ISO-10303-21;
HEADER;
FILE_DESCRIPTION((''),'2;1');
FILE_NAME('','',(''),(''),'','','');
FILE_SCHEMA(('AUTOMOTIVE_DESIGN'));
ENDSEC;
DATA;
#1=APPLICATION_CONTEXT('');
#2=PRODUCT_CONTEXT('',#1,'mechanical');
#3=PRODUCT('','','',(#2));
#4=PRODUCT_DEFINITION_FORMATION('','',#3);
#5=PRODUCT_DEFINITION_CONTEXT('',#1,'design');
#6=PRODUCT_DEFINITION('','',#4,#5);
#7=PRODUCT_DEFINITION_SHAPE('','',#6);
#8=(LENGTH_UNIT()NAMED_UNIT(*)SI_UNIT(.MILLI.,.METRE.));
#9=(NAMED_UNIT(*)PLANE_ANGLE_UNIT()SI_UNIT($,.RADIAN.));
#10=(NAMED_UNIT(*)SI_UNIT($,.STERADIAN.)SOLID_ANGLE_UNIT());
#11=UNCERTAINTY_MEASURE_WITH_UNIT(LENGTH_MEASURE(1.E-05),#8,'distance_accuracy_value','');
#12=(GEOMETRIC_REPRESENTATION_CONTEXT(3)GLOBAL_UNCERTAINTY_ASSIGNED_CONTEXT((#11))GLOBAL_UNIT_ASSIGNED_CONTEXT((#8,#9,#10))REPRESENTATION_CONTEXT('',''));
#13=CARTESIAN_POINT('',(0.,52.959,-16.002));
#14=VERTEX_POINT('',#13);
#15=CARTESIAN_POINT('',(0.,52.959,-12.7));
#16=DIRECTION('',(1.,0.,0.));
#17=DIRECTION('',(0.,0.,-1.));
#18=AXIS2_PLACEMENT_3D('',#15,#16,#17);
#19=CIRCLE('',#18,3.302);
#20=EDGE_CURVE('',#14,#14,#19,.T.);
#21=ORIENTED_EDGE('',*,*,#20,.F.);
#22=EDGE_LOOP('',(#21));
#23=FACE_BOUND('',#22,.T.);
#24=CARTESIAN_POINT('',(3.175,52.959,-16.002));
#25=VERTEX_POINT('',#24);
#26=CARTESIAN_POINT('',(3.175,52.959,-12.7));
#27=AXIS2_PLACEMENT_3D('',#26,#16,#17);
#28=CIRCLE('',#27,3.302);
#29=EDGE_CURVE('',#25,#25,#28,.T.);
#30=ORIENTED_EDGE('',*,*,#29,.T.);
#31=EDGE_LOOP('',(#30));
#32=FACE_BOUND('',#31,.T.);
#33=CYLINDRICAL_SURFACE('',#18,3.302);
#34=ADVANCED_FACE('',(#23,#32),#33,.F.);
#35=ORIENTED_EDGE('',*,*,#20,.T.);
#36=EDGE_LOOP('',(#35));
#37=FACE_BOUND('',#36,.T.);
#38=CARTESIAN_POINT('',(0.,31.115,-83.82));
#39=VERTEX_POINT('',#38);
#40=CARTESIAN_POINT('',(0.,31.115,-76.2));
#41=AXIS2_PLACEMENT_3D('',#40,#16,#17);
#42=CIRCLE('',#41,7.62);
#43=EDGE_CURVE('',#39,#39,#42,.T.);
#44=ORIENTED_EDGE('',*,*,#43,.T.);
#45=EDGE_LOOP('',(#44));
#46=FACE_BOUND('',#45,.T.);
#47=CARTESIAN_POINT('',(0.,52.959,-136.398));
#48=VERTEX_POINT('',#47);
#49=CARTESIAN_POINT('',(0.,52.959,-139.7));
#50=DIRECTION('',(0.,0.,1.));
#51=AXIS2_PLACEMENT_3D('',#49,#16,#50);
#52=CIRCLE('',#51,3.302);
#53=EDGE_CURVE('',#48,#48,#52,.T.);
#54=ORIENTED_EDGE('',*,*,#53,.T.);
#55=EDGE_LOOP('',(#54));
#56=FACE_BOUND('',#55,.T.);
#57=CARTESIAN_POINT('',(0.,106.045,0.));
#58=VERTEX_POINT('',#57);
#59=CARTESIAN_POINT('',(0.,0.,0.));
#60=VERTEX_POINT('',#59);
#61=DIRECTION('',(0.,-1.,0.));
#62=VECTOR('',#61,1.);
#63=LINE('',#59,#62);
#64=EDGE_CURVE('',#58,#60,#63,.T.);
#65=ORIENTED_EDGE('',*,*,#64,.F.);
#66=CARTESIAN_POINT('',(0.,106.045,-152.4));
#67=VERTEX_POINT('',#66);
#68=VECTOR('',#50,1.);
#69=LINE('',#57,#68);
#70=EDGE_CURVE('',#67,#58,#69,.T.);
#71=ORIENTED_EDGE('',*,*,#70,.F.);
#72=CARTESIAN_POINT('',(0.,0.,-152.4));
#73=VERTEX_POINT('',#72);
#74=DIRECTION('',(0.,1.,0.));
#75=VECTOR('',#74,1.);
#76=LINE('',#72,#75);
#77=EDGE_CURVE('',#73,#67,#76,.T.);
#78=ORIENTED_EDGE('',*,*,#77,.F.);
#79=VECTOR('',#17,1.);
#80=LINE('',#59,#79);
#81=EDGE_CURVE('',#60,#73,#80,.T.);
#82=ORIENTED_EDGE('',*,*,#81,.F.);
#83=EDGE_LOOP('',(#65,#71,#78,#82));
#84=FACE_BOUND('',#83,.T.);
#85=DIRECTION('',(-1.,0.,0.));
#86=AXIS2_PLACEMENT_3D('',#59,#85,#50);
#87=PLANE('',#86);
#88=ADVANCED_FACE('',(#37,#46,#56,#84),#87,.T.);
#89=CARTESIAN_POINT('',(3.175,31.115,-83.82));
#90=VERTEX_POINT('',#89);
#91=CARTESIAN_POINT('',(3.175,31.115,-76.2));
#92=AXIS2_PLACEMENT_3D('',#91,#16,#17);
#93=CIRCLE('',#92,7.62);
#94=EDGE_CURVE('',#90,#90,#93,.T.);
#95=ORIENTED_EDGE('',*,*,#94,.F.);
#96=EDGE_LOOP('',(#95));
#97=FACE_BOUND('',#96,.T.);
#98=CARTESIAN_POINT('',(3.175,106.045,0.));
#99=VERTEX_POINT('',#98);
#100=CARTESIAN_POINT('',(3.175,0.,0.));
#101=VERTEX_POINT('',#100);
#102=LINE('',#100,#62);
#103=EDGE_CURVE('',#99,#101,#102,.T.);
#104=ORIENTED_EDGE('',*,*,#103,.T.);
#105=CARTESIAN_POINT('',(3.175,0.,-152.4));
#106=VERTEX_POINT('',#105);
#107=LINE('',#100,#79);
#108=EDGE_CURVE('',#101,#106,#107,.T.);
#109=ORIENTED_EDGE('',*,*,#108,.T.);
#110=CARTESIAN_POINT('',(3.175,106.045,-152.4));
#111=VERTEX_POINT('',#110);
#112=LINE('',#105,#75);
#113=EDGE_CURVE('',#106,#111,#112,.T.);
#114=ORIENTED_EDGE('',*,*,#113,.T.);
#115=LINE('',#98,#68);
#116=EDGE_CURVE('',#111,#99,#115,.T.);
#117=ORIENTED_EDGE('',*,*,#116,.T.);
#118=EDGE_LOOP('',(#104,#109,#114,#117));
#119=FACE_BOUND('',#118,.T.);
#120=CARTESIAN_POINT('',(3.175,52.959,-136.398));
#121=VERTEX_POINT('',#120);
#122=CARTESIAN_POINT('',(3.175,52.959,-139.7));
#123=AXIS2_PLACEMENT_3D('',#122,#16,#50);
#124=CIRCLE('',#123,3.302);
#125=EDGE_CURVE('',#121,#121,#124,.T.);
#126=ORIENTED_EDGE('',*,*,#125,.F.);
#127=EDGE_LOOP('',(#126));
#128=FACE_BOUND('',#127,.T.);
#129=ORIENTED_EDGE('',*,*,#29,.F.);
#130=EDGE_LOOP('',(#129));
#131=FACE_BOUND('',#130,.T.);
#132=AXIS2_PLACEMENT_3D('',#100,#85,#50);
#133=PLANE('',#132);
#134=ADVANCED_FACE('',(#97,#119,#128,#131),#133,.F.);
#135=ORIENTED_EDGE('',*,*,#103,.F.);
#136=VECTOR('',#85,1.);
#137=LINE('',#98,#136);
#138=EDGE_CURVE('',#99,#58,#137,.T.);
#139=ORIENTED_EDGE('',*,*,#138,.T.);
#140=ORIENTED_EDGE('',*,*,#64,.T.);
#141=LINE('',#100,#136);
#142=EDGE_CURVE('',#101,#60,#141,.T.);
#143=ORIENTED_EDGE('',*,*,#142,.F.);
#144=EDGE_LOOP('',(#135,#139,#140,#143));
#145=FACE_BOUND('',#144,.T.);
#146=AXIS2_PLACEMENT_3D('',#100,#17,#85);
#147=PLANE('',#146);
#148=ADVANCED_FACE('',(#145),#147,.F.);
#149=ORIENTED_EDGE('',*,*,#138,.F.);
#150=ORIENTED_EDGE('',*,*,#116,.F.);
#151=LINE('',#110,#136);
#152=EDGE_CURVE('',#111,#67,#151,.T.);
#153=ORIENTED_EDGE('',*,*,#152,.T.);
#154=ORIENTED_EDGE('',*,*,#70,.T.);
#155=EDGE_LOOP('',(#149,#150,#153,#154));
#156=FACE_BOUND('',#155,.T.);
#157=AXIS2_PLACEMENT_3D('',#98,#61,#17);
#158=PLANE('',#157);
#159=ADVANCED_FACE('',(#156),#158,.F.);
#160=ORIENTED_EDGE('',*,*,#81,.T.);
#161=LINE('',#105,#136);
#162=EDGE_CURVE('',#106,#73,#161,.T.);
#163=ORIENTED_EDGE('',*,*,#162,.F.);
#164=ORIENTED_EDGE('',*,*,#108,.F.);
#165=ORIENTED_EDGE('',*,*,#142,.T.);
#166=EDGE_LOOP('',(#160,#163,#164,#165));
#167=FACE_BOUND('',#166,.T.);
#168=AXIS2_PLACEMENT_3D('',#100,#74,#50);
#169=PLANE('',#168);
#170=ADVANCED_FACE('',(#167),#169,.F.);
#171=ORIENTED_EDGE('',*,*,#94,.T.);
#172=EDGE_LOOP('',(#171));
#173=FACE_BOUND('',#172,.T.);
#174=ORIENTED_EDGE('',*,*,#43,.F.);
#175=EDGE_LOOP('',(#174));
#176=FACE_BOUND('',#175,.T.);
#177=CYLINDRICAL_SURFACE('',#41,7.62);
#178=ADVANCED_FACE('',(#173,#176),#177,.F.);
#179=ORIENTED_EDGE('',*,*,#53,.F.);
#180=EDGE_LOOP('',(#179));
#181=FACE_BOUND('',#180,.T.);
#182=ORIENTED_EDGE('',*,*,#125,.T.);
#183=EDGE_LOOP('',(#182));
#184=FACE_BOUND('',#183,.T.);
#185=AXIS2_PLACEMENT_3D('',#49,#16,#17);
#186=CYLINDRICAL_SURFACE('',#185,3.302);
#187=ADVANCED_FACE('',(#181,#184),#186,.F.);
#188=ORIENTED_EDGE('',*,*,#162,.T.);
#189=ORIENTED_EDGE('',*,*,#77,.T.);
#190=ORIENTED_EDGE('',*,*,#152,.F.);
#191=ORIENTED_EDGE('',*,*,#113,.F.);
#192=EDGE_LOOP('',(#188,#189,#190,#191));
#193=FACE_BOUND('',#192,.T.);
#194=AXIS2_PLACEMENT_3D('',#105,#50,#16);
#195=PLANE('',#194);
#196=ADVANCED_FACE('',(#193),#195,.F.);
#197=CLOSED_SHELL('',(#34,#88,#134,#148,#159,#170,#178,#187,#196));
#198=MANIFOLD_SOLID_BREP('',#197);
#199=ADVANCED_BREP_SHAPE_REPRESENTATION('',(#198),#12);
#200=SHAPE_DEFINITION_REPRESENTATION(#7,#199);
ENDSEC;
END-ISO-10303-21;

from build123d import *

# Parameters (mm, degrees)
SKETCH1_W           = 152.4
SKETCH1_H           = 106.045
BOSS_EXTRUDE1_DEPTH = 3.175
SKETCH2_R           = 7.62
SKETCH2_R_2         = 3.302
CUT_EXTRUDE1_DEPTH  = 4.175


with BuildPart() as part:
    # Sketch1 → Boss-Extrude1 (new body)
    with BuildSketch(Plane(origin=(0, 0, 0), x_dir=(0, 0, -1), z_dir=(1, 0, 0))):
        with Locations((76.2, 53.0225)):
            Rectangle(SKETCH1_W, SKETCH1_H)
    extrude(amount=BOSS_EXTRUDE1_DEPTH)

    # Sketch2 → Cut-Extrude1 (cut, through all)
    with BuildSketch(Plane(origin=(3.175, 0, 0), x_dir=(0, 0, -1), z_dir=(1, 0, 0))):
        with Locations((76.2, 31.115)):
            Circle(SKETCH2_R)
        with Locations((12.7, 52.959)):
            Circle(SKETCH2_R_2)
        with Locations((139.7, 52.959)):
            Circle(SKETCH2_R_2)
    extrude(amount=-CUT_EXTRUDE1_DEPTH, mode=Mode.SUBTRACT)


solid = part.part
